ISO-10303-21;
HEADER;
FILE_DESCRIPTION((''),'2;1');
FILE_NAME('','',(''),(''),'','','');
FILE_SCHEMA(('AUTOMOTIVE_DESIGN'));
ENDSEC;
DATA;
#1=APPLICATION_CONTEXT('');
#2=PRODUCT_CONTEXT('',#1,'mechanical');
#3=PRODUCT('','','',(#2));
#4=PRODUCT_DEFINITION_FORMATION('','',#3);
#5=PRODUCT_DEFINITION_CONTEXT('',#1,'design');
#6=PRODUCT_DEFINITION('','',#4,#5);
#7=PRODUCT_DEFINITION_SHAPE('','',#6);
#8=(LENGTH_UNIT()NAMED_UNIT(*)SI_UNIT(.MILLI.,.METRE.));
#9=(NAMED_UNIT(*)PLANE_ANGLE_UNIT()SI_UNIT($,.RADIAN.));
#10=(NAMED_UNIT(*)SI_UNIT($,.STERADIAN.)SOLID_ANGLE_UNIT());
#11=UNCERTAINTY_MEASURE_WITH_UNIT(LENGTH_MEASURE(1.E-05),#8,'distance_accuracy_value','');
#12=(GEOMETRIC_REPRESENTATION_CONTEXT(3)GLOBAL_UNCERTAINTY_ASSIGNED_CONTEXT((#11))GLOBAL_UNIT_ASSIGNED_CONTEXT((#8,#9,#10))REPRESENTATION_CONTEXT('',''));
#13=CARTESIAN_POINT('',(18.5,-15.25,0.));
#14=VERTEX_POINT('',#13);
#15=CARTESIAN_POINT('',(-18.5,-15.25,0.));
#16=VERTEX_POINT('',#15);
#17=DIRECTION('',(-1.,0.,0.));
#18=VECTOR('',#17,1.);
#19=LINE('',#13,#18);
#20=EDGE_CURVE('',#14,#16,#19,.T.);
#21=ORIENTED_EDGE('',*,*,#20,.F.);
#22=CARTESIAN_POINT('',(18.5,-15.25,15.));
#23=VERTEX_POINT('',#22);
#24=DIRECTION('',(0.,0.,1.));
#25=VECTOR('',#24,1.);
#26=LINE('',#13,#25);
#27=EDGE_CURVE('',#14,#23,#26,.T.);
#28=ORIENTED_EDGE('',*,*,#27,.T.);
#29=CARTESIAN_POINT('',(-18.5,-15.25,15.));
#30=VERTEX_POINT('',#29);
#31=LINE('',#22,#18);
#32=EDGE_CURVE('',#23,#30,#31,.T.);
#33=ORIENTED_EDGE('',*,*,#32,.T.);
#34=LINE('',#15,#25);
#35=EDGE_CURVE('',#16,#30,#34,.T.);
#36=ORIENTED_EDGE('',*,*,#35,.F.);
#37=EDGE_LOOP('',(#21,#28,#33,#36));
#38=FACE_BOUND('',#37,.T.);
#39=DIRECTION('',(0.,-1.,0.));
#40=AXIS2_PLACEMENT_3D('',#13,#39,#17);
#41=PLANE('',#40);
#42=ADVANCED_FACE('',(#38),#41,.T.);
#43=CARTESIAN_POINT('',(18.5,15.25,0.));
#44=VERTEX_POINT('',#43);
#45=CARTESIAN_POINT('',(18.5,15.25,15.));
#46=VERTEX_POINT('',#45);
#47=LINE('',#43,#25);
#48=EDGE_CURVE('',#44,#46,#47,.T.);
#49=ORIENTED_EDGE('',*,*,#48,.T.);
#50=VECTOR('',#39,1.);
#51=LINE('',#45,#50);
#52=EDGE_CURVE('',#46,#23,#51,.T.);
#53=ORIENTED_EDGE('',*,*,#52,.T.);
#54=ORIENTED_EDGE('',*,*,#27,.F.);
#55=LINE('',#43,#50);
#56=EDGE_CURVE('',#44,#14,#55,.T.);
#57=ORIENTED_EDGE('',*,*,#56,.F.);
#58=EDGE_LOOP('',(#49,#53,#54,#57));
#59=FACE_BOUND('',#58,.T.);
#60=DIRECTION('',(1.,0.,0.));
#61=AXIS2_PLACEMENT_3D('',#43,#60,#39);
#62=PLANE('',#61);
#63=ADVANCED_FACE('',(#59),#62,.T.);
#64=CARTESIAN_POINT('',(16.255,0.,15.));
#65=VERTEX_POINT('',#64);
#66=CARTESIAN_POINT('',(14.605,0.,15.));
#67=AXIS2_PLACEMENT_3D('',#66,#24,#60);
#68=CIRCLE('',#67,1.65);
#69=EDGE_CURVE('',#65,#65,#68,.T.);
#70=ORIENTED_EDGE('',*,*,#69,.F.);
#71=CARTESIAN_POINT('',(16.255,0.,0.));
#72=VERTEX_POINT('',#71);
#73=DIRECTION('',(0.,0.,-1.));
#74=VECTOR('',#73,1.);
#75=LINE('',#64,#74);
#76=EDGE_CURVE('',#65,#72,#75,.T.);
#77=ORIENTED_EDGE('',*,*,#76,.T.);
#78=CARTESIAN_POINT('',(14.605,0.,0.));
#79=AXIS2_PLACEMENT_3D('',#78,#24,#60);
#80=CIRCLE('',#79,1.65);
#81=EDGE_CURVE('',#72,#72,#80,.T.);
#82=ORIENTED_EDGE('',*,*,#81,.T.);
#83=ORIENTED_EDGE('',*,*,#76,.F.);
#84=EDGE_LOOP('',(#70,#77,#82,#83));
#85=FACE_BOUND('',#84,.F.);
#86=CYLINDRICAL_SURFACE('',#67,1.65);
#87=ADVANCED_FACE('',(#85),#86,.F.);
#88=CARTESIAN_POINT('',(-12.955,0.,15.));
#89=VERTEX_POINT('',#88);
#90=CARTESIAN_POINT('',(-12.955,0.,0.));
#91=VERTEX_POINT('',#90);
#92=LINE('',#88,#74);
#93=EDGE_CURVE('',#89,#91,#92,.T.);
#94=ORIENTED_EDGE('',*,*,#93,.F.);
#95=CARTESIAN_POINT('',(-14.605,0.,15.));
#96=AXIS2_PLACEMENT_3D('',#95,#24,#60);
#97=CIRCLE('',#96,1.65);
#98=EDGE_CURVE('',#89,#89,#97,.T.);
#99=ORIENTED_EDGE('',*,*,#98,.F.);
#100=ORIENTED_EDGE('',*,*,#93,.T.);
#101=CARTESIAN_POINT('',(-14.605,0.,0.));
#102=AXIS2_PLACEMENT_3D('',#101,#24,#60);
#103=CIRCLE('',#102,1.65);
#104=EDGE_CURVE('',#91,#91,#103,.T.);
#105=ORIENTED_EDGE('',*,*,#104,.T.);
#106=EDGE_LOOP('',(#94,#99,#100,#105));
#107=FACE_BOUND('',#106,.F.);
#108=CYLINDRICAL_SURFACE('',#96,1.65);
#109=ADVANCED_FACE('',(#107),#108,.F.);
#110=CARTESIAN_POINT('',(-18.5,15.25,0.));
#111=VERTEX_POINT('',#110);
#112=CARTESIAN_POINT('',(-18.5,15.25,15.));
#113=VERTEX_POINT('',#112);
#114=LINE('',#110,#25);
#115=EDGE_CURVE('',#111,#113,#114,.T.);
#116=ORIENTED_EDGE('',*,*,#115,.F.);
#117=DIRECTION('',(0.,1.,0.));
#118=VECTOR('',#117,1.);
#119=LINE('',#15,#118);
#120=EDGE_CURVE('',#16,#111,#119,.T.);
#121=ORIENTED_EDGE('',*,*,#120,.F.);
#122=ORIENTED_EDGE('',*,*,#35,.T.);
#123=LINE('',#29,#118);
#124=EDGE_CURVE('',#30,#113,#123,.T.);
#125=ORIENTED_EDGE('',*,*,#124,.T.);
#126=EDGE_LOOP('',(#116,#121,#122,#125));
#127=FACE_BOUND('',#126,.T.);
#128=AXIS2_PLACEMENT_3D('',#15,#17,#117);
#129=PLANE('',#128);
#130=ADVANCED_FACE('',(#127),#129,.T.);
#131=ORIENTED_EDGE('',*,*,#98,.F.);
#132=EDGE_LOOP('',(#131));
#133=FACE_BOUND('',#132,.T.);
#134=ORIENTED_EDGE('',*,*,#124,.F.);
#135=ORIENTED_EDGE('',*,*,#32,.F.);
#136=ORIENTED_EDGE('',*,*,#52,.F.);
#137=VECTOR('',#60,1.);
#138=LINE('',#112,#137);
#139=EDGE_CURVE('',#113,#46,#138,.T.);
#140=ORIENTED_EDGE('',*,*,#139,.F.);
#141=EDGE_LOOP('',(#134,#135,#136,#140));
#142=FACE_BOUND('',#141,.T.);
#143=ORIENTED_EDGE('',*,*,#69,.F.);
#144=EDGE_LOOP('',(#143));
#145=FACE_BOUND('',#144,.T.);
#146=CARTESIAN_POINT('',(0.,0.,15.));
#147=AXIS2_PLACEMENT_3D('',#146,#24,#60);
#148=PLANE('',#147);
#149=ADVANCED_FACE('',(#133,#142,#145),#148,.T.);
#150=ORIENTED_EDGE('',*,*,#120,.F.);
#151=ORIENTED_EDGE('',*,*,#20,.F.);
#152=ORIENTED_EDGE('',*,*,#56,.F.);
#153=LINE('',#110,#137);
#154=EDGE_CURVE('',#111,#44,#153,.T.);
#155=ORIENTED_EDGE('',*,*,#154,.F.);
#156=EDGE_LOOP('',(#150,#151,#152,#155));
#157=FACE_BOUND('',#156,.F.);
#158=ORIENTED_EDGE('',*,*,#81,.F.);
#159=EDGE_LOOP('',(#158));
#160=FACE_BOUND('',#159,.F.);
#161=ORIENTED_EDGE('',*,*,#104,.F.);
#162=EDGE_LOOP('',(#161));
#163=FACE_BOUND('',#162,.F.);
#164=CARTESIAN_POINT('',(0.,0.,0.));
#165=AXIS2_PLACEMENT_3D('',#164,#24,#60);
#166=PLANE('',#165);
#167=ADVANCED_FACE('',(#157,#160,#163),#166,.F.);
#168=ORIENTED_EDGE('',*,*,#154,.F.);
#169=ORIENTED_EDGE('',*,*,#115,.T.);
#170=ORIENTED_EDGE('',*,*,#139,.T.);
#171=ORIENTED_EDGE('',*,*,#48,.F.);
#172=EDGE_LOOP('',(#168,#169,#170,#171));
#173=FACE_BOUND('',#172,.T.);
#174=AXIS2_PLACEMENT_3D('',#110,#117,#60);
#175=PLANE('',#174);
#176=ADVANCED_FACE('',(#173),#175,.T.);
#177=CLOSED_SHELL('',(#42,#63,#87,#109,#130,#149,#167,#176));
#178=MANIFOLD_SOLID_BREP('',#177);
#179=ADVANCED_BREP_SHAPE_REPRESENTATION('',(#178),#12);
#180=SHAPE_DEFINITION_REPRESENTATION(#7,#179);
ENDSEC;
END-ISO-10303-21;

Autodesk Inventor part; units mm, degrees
ref_plane "YZ Plane" through (0, 0, 0) normal (1, 0, 0) x (0, 1, 0)
ref_plane "XZ Plane" through (0, 0, 0) normal (0, 1, 0) x (-1, 0, 0)
ref_plane "XY Plane" through (0, 0, 0) normal (0, 0, 1) x (1, 0, 0)
sketch "Sketch1" plane through (0, 0, 0) normal (0, 0, 1) x (1, 0, 0)
  line L0 (-18.5, 15.25) -> (18.5, 15.25)
  line L1 (18.5, 15.25) -> (18.5, -15.25)
  line L2 (18.5, -15.25) -> (-18.5, -15.25)
  line L3 (-18.5, -15.25) -> (-18.5, 15.25)
  point P0 (0, 0)
  point P1 (0, 15.25)
  point P2 (18.5, 0)
  dimension "d0" = 37
  dimension "d1" = 30.5
extrude "Extrusion1" add sketch "Sketch1" along normal blind 15
sketch "Sketch2" plane through (0, 0, 15) normal (0, 0, 1) x (1, 0, 0)
  circle A0 centre (14.605, 0) radius 1.65
  circle A1 centre (-14.605, 0) radius 1.65
  line L0 (14.605, 0) -> (-14.605, 0) construction
  point P0 (0, 0)
  point P1 (0, 0)
  dimension "d4" = 3.3
  dimension "d5" = 3.3
  dimension "d6" = 29.21
extrude "Extrusion2" cut sketch "Sketch2" against normal up to next
properties part number "Big_Easy_Stepper_Driver"
